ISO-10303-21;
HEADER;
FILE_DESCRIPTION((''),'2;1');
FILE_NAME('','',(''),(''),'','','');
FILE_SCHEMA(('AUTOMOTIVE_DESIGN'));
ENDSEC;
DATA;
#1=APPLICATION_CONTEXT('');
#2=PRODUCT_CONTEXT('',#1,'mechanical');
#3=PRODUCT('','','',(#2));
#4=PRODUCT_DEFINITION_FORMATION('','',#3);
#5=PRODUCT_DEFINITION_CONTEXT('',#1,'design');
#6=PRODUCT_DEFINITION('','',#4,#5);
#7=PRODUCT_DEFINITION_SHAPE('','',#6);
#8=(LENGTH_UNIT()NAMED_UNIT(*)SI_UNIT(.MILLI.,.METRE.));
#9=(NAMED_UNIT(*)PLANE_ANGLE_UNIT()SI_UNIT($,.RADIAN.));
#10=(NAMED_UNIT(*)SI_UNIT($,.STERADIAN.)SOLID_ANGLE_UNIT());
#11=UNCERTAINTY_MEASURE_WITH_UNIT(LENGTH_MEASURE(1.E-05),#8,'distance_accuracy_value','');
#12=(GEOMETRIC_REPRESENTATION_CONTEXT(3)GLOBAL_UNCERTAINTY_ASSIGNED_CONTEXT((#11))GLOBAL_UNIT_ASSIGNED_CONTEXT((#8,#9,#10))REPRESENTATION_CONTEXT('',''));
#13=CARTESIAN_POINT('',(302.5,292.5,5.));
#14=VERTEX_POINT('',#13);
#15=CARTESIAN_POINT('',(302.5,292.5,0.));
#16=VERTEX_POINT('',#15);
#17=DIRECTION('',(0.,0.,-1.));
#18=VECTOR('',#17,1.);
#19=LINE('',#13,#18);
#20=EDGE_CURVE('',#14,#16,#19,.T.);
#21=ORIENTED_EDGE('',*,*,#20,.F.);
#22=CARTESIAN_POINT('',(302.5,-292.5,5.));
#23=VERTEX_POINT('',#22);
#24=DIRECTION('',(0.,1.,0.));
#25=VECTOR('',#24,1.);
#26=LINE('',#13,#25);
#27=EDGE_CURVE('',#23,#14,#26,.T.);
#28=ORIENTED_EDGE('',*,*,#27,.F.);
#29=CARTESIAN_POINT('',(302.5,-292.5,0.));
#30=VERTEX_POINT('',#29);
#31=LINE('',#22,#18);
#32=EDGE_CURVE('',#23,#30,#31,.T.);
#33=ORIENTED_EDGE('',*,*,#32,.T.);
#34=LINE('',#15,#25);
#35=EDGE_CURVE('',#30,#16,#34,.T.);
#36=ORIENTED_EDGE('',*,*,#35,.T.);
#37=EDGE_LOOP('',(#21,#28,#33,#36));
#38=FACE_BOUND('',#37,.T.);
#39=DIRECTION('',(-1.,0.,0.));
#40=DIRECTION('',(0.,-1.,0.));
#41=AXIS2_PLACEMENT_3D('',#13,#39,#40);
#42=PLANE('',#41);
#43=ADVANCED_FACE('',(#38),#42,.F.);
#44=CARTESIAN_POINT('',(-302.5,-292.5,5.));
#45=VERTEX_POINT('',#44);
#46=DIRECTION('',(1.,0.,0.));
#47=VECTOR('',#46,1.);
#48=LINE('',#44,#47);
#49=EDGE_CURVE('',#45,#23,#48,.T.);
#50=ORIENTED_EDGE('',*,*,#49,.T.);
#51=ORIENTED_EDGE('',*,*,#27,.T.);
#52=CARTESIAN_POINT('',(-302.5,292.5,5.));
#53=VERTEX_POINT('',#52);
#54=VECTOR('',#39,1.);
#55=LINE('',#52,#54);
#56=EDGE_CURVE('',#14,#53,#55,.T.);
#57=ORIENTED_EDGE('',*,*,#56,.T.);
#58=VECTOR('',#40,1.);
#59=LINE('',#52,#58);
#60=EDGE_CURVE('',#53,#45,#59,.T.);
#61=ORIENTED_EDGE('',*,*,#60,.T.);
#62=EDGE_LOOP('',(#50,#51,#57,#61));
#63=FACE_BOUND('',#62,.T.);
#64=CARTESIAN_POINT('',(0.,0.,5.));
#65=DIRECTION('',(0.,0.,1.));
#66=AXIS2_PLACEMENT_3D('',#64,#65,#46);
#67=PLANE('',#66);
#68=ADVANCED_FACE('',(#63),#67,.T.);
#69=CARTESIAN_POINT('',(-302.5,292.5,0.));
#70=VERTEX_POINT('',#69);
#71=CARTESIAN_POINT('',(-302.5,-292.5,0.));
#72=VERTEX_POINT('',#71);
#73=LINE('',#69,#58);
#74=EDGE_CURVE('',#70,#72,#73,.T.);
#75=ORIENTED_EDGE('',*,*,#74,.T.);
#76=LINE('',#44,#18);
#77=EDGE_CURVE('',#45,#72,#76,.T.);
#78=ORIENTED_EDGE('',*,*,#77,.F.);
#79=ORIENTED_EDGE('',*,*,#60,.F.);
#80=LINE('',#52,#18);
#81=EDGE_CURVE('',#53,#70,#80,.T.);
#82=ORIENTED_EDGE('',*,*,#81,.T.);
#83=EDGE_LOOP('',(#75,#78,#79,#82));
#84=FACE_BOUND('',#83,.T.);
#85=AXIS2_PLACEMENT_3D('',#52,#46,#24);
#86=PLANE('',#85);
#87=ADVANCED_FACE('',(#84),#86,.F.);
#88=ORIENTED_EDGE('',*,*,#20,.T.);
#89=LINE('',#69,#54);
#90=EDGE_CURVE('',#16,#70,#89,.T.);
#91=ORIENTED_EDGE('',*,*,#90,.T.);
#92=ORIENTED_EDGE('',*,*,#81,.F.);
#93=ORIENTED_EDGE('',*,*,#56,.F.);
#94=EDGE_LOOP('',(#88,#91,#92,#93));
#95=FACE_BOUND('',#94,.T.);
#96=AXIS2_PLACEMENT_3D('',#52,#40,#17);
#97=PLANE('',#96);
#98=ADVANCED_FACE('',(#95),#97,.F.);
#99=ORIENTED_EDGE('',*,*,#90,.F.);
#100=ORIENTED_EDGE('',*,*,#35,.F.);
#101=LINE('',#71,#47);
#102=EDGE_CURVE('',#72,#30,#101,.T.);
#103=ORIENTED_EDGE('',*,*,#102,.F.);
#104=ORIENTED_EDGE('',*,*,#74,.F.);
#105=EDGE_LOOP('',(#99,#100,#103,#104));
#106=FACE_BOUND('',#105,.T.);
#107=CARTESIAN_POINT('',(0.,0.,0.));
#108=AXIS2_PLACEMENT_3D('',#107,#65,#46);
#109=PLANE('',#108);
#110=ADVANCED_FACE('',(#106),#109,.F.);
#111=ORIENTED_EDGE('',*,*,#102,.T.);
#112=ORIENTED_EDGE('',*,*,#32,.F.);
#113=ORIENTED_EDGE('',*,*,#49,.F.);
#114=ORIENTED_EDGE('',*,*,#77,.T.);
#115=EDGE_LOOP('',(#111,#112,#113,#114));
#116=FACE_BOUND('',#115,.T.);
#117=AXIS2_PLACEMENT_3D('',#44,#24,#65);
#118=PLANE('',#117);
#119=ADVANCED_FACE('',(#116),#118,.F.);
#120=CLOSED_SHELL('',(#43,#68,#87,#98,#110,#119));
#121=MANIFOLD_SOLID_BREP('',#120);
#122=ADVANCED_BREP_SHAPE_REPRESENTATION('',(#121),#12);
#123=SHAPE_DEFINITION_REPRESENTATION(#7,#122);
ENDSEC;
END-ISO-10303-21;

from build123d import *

# Parameters (mm, degrees)
ESQUISSE1_W        = 605
ESQUISSE1_H        = 585
BOSS_EXTRU_1_DEPTH = 5


with BuildPart() as part:
    # Esquisse1 → Boss.-Extru.1 (new body)
    with BuildSketch(Plane.XY):
        Rectangle(ESQUISSE1_W, ESQUISSE1_H)
    extrude(amount=BOSS_EXTRU_1_DEPTH)


solid = part.part
